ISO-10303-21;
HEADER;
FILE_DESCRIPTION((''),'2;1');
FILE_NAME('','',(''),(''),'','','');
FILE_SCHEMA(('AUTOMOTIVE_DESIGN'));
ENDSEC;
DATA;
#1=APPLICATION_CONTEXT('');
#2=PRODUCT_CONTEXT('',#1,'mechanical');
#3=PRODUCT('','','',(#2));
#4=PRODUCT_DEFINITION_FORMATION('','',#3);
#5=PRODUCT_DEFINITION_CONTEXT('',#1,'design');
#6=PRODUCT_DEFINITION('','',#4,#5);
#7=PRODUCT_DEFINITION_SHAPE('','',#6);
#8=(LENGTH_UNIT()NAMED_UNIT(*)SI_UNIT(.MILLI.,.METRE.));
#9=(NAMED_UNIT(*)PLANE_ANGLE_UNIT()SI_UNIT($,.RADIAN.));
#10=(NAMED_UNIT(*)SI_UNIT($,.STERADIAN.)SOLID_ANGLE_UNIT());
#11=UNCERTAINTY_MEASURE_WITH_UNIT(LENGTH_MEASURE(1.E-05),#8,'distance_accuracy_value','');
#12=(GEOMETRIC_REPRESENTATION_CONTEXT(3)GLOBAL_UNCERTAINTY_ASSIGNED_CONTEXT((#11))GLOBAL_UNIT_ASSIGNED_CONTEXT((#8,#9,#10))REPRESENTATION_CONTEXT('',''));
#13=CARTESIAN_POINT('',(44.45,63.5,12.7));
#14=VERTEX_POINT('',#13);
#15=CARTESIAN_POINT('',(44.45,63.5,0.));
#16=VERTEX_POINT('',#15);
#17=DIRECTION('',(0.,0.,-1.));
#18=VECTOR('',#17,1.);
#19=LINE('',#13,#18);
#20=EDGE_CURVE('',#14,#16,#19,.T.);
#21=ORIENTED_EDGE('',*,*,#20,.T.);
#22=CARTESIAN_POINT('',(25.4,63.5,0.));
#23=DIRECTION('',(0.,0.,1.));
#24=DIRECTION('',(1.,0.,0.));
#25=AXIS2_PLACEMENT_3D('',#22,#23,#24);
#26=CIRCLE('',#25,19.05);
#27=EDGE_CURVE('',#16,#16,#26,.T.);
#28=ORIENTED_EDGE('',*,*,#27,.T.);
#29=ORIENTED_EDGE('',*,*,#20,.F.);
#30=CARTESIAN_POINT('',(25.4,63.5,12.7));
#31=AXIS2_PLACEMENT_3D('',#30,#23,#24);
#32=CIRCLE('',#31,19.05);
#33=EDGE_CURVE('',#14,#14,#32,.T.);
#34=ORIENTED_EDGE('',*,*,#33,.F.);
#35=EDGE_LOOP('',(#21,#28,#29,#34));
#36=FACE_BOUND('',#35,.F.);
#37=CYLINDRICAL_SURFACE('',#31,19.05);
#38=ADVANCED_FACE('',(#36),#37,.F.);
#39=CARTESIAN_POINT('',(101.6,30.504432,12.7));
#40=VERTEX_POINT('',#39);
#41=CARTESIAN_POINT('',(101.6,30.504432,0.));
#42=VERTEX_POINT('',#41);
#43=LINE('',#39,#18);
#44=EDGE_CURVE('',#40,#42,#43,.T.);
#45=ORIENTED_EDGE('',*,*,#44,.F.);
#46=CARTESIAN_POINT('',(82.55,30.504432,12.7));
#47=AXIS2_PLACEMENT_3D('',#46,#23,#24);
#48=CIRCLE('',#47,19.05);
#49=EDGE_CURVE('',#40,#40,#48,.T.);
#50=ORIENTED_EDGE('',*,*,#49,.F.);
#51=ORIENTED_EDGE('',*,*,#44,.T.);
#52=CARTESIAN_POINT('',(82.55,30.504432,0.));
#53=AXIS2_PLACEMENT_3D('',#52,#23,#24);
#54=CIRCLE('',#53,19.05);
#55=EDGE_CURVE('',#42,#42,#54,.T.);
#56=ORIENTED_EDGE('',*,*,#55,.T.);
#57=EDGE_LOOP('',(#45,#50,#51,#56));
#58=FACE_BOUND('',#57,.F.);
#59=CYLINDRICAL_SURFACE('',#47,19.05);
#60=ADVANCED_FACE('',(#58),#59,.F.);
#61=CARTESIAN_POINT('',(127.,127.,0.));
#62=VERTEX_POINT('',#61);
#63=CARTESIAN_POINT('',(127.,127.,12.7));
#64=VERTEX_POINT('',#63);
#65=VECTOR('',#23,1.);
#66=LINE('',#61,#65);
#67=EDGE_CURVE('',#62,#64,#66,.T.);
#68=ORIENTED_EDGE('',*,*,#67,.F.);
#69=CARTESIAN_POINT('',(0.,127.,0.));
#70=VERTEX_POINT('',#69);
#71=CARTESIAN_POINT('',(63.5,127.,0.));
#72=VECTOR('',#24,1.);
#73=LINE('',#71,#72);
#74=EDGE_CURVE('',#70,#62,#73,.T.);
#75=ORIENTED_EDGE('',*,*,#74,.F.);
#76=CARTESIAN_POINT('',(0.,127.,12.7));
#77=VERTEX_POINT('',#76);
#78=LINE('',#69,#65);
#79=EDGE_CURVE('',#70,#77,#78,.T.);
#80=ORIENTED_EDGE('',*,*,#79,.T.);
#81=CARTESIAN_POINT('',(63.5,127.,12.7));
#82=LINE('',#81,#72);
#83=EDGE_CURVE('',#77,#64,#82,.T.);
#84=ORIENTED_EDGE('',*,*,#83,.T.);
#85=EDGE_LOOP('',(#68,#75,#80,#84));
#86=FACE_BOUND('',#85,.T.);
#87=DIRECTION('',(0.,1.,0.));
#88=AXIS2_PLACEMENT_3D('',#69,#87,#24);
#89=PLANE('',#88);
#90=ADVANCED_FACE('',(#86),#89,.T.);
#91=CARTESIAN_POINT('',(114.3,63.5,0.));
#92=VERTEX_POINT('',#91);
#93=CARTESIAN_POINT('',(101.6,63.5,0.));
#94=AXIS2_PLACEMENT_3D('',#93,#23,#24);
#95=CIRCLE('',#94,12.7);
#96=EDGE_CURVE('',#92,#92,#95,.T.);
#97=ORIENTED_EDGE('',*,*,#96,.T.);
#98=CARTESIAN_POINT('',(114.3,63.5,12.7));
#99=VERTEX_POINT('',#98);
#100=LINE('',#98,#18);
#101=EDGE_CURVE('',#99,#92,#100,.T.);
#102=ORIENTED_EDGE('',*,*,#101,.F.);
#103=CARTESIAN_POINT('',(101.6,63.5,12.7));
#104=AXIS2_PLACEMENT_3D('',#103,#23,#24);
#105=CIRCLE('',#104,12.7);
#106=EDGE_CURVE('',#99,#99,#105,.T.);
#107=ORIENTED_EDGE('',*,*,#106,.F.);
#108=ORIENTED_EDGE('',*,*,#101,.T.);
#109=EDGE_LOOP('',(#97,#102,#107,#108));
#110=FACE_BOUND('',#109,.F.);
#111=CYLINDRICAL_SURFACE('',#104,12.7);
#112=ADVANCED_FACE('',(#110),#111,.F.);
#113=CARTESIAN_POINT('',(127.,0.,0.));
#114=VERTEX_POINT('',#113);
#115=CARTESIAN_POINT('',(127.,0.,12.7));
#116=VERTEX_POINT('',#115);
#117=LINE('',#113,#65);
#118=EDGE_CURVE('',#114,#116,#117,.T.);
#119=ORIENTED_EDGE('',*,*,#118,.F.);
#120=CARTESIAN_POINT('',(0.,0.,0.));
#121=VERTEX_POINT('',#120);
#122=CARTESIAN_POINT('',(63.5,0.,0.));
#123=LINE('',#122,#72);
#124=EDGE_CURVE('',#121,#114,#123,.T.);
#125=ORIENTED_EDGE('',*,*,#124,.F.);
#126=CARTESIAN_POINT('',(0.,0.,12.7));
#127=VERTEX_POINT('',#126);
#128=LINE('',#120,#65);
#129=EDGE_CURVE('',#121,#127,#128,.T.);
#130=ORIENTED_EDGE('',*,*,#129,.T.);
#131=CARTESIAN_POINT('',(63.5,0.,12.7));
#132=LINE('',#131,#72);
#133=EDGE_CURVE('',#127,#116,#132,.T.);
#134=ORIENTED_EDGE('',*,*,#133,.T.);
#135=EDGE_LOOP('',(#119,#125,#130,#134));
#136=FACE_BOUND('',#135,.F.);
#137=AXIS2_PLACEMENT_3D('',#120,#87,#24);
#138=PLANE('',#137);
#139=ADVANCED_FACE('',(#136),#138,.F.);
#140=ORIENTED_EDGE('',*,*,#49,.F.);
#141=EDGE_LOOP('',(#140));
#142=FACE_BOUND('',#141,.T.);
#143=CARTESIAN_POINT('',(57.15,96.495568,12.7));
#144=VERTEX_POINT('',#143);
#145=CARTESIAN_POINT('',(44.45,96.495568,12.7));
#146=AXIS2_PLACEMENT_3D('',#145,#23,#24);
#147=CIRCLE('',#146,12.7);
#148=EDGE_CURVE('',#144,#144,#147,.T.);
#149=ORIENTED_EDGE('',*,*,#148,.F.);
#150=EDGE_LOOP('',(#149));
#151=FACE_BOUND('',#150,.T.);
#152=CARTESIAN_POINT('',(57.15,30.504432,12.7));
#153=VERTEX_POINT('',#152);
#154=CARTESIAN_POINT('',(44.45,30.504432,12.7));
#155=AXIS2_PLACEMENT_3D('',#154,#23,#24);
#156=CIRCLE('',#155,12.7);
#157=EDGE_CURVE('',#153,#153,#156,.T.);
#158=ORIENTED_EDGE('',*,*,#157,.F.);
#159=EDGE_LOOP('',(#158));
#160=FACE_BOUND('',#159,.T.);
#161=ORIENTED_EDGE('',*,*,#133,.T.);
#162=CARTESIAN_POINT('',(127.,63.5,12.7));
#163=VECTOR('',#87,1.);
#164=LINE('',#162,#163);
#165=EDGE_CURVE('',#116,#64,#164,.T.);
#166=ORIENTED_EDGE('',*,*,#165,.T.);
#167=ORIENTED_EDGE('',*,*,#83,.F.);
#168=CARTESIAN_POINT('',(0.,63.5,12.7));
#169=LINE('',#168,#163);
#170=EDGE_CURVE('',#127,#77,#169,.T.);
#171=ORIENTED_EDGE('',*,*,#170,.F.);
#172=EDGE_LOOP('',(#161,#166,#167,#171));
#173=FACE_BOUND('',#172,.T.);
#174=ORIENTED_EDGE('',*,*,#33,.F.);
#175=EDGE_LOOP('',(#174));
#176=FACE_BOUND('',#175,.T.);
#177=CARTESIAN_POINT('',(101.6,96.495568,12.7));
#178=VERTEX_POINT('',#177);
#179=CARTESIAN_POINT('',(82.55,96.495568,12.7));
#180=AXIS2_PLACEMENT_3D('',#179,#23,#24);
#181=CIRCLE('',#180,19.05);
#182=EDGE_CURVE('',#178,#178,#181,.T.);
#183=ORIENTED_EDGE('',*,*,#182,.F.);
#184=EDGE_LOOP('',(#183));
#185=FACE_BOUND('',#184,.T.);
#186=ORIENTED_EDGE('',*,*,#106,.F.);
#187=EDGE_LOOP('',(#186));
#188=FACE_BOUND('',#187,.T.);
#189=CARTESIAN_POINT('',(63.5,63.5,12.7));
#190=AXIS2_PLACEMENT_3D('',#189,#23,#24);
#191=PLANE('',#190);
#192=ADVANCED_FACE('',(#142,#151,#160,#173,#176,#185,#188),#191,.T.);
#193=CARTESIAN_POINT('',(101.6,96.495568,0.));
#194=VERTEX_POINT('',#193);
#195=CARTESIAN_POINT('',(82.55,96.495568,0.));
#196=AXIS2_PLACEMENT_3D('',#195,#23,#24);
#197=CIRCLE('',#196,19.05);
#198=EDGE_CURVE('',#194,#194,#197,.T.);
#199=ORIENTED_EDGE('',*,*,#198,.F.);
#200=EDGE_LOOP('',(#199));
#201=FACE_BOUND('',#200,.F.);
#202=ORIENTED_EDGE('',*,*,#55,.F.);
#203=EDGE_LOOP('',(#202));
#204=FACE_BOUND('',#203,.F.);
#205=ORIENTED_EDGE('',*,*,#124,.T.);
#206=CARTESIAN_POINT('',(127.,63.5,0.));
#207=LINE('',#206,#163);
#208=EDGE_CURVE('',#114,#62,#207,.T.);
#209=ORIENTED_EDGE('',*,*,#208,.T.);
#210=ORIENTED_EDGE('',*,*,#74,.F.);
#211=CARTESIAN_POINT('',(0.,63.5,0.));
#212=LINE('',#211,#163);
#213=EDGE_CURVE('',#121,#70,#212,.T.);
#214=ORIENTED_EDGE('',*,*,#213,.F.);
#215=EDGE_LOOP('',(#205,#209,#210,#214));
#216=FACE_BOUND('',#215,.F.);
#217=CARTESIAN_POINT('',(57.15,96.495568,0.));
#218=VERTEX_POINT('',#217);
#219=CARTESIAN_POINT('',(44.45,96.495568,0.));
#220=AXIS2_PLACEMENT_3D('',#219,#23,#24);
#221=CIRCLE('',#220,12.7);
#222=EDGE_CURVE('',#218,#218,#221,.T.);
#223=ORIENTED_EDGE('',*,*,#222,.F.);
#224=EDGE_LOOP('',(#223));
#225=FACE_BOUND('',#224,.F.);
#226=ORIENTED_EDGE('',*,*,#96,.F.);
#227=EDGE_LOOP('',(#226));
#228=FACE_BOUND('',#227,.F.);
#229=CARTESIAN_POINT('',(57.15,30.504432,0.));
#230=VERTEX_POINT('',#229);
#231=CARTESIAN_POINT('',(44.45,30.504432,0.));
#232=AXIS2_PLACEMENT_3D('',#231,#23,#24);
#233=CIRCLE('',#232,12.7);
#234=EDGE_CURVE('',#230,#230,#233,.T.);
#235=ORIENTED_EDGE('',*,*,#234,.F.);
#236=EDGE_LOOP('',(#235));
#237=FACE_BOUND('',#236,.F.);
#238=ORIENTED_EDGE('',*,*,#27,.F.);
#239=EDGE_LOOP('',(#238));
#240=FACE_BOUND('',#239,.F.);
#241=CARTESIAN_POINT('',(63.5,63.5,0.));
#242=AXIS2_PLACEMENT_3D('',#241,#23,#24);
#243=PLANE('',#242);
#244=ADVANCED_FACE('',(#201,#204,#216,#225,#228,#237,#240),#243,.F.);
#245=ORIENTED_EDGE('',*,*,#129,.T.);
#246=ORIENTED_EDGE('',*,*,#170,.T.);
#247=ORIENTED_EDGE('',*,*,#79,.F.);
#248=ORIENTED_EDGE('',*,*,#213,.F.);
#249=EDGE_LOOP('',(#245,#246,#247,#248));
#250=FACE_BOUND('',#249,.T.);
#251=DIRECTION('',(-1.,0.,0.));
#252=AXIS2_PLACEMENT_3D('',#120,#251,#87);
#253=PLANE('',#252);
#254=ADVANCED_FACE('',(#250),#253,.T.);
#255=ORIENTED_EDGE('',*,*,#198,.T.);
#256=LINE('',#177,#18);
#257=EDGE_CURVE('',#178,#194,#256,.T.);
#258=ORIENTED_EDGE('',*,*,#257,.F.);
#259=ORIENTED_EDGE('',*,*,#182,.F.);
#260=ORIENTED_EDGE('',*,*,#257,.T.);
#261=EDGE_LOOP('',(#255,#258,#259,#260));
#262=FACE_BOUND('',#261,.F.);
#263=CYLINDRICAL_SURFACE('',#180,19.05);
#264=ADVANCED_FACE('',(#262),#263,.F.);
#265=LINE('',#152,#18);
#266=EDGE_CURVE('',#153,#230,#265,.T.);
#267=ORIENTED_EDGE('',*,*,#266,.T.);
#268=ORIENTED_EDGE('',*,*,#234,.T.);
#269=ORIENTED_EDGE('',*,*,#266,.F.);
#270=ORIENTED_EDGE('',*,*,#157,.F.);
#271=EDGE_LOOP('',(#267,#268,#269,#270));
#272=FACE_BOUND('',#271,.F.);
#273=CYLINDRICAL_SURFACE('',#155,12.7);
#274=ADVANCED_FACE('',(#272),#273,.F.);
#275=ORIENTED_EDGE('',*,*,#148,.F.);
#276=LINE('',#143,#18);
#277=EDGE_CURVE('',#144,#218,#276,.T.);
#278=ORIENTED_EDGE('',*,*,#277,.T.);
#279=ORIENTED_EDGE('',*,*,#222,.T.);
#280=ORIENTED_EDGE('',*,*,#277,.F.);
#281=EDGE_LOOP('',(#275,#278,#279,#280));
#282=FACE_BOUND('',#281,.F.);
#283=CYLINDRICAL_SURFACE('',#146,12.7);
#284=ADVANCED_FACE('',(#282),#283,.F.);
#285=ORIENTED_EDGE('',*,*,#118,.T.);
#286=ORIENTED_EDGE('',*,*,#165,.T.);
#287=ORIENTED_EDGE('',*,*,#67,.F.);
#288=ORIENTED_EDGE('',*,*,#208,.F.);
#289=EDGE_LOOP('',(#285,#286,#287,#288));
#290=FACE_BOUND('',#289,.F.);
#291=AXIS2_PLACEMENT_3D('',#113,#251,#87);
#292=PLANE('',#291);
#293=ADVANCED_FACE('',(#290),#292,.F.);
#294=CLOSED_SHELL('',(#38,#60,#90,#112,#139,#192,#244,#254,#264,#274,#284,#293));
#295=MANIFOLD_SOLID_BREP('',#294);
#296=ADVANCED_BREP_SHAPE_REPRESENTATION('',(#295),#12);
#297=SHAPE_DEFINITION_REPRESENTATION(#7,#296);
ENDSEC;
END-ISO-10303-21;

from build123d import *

# Parameters (mm, degrees)
F0_W     = 127
F0_H     = 127
F1_DEPTH = 12.7
F2_R     = 19.05
F2_R_2   = 12.7
F3_DEPTH = 25.4


with BuildPart() as f1:
    # F0 (on Top) → F1 (new body)
    with BuildSketch(Plane.XY):
        with Locations((63.5, 63.5)):
            Rectangle(F0_W, F0_H)
    extrude(amount=F1_DEPTH)

    # F2 (on face) → F3 (cut)
    with BuildSketch(Plane.XY.offset(12.7)):
        with Locations((82.55, 96.495568)):
            Circle(F2_R)
        with Locations((44.45, 96.495568)):
            Circle(F2_R_2)
        with Locations((25.4, 63.5)):
            Circle(F2_R)
        with Locations((44.45, 30.504432)):
            Circle(F2_R_2)
        with Locations((82.55, 30.504432)):
            Circle(F2_R)
        with Locations((101.6, 63.5)):
            Circle(F2_R_2)
    extrude(amount=-F3_DEPTH, mode=Mode.SUBTRACT)


solid = f1.part
